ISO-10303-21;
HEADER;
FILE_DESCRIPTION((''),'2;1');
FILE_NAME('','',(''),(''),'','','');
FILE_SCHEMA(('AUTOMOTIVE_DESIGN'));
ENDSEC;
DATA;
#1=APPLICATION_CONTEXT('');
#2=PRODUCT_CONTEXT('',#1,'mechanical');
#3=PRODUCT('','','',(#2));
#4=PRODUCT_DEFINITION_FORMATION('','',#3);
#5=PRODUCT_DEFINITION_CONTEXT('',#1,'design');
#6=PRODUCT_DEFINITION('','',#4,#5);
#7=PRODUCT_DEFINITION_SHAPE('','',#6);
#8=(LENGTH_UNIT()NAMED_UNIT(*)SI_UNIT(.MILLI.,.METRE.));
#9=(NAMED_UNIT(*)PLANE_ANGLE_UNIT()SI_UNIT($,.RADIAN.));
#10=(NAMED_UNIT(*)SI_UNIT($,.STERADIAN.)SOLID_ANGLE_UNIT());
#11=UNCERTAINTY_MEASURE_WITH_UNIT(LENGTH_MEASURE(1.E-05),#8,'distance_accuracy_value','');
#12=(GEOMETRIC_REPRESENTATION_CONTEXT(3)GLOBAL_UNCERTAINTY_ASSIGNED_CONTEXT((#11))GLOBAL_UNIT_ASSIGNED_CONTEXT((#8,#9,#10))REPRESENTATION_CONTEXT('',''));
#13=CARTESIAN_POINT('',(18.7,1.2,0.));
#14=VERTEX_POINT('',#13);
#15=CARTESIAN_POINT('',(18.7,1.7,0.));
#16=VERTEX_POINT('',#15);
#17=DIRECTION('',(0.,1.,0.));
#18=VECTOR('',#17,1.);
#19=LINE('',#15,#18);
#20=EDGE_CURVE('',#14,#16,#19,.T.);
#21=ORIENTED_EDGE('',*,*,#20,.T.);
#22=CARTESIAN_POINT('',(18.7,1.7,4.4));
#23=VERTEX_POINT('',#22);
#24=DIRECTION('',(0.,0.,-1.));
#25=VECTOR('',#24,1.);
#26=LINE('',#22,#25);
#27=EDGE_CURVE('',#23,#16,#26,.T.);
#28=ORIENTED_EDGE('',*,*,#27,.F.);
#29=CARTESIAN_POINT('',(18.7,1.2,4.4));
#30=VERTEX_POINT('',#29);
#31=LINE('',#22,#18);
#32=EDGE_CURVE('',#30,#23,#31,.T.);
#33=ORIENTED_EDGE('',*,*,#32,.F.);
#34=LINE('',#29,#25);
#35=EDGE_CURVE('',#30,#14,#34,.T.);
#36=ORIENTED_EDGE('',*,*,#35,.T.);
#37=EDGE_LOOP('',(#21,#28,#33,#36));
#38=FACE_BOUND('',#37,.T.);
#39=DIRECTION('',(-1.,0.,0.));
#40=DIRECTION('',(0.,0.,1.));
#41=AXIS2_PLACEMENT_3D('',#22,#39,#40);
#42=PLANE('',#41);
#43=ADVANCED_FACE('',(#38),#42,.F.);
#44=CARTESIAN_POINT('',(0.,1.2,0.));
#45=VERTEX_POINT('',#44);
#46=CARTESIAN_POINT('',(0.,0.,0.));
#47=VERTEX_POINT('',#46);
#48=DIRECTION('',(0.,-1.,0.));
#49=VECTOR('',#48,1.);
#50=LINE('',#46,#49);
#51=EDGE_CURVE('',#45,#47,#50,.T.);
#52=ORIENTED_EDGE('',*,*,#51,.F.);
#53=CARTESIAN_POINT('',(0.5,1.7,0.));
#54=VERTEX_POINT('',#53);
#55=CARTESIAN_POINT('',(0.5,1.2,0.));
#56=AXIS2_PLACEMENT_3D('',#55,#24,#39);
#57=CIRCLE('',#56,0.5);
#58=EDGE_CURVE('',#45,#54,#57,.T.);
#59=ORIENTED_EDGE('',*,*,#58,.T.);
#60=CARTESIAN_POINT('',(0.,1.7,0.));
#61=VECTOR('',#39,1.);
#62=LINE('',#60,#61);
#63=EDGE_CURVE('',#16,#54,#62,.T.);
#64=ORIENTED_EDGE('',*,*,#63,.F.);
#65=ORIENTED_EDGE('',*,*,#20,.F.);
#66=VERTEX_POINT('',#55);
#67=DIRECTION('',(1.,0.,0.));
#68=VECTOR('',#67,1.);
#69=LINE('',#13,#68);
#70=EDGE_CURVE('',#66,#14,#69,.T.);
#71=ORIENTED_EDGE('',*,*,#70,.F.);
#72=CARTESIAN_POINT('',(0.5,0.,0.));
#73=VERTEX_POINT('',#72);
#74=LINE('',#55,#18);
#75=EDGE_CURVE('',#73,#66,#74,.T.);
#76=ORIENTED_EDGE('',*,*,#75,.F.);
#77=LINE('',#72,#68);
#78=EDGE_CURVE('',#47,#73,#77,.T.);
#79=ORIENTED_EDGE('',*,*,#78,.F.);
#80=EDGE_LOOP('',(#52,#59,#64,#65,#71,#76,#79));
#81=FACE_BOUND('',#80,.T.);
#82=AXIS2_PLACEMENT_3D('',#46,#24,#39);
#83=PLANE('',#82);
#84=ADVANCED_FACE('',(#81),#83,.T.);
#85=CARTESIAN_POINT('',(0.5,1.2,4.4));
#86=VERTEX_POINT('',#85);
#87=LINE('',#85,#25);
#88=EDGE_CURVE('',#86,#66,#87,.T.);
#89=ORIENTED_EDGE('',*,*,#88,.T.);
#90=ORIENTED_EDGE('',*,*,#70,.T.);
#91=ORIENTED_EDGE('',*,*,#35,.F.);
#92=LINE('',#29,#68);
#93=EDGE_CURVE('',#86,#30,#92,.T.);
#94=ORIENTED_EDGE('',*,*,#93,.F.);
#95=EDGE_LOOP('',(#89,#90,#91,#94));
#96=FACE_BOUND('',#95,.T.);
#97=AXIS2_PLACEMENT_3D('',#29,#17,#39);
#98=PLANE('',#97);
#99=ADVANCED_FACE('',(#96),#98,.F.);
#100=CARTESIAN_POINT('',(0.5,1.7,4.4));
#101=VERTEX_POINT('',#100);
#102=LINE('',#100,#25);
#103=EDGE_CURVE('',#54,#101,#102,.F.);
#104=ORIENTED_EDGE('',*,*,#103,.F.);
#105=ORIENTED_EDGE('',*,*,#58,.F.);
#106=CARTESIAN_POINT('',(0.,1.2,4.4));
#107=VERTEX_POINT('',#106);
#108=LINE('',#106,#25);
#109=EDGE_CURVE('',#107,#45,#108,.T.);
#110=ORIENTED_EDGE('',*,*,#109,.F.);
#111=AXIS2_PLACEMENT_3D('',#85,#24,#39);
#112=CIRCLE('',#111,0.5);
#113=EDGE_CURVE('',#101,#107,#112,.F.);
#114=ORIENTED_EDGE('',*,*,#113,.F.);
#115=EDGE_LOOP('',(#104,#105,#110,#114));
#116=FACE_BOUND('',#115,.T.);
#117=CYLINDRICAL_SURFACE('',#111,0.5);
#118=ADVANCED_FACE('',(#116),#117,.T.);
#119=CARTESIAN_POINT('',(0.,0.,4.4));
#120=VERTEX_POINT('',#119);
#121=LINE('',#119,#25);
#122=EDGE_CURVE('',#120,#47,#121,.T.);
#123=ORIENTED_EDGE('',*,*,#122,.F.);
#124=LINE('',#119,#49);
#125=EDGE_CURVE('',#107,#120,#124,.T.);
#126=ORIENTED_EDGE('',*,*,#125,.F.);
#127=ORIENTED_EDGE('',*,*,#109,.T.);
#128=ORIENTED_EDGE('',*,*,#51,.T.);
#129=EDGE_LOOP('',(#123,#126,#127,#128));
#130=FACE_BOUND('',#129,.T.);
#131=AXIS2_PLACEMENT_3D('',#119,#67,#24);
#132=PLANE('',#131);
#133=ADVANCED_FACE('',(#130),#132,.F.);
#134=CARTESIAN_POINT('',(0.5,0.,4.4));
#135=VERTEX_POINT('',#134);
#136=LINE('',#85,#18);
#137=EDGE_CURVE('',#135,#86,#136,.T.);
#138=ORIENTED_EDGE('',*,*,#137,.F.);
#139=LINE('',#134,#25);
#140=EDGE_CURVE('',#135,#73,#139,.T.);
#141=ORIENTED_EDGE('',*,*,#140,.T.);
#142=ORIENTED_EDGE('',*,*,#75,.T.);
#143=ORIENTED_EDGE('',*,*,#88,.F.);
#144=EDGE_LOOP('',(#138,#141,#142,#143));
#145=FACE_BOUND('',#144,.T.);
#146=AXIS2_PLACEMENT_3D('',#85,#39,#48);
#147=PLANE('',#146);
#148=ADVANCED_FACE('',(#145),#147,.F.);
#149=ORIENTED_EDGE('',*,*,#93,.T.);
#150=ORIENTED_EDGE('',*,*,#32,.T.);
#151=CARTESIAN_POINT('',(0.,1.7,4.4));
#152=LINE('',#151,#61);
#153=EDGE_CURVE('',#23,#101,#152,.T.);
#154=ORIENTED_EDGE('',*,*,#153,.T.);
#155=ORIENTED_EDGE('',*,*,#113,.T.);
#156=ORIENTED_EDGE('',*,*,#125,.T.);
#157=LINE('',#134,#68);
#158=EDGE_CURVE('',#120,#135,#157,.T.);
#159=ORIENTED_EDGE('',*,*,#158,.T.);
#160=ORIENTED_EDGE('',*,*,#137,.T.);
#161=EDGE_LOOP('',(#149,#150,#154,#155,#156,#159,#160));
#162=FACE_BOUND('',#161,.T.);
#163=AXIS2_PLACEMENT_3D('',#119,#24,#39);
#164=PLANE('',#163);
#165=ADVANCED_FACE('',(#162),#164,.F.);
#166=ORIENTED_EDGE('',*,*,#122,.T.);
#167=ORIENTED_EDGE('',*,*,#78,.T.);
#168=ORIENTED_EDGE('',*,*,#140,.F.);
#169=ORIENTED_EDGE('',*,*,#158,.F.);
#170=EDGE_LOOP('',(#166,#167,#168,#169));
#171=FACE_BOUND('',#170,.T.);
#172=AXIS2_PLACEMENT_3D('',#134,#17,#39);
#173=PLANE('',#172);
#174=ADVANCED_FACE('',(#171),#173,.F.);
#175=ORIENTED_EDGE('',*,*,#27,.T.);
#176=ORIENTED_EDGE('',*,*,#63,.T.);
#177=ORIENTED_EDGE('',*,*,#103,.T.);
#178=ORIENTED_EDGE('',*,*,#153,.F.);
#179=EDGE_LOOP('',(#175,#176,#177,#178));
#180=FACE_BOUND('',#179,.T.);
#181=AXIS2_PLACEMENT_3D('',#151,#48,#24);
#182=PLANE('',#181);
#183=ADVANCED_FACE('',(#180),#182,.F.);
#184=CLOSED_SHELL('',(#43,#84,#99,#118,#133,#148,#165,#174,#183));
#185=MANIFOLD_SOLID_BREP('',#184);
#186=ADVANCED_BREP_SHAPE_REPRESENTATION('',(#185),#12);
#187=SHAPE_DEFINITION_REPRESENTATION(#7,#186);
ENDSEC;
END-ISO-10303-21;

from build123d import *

# Parameters (mm, degrees)
BOSS_EXTRU_1_DEPTH = 4.4
CONG_1_R           = 0.5


with BuildPart() as part:
    # Esquisse1 → Boss.-Extru.1 (new body)
    with BuildSketch(Plane.XY):
        Polygon((0, 0), (0, 1.7), (18.7, 1.7), (18.7, 1.2), (0.5, 1.2), (0.5, 0), align=None)
    extrude(amount=BOSS_EXTRU_1_DEPTH)

    # Congé1
    cong_1_edges = [part.edges().sort_by_distance(p)[0] for p in [
        (0, 1.7, 2.2),
    ]]
    fillet(cong_1_edges, radius=CONG_1_R)


solid = part.part
